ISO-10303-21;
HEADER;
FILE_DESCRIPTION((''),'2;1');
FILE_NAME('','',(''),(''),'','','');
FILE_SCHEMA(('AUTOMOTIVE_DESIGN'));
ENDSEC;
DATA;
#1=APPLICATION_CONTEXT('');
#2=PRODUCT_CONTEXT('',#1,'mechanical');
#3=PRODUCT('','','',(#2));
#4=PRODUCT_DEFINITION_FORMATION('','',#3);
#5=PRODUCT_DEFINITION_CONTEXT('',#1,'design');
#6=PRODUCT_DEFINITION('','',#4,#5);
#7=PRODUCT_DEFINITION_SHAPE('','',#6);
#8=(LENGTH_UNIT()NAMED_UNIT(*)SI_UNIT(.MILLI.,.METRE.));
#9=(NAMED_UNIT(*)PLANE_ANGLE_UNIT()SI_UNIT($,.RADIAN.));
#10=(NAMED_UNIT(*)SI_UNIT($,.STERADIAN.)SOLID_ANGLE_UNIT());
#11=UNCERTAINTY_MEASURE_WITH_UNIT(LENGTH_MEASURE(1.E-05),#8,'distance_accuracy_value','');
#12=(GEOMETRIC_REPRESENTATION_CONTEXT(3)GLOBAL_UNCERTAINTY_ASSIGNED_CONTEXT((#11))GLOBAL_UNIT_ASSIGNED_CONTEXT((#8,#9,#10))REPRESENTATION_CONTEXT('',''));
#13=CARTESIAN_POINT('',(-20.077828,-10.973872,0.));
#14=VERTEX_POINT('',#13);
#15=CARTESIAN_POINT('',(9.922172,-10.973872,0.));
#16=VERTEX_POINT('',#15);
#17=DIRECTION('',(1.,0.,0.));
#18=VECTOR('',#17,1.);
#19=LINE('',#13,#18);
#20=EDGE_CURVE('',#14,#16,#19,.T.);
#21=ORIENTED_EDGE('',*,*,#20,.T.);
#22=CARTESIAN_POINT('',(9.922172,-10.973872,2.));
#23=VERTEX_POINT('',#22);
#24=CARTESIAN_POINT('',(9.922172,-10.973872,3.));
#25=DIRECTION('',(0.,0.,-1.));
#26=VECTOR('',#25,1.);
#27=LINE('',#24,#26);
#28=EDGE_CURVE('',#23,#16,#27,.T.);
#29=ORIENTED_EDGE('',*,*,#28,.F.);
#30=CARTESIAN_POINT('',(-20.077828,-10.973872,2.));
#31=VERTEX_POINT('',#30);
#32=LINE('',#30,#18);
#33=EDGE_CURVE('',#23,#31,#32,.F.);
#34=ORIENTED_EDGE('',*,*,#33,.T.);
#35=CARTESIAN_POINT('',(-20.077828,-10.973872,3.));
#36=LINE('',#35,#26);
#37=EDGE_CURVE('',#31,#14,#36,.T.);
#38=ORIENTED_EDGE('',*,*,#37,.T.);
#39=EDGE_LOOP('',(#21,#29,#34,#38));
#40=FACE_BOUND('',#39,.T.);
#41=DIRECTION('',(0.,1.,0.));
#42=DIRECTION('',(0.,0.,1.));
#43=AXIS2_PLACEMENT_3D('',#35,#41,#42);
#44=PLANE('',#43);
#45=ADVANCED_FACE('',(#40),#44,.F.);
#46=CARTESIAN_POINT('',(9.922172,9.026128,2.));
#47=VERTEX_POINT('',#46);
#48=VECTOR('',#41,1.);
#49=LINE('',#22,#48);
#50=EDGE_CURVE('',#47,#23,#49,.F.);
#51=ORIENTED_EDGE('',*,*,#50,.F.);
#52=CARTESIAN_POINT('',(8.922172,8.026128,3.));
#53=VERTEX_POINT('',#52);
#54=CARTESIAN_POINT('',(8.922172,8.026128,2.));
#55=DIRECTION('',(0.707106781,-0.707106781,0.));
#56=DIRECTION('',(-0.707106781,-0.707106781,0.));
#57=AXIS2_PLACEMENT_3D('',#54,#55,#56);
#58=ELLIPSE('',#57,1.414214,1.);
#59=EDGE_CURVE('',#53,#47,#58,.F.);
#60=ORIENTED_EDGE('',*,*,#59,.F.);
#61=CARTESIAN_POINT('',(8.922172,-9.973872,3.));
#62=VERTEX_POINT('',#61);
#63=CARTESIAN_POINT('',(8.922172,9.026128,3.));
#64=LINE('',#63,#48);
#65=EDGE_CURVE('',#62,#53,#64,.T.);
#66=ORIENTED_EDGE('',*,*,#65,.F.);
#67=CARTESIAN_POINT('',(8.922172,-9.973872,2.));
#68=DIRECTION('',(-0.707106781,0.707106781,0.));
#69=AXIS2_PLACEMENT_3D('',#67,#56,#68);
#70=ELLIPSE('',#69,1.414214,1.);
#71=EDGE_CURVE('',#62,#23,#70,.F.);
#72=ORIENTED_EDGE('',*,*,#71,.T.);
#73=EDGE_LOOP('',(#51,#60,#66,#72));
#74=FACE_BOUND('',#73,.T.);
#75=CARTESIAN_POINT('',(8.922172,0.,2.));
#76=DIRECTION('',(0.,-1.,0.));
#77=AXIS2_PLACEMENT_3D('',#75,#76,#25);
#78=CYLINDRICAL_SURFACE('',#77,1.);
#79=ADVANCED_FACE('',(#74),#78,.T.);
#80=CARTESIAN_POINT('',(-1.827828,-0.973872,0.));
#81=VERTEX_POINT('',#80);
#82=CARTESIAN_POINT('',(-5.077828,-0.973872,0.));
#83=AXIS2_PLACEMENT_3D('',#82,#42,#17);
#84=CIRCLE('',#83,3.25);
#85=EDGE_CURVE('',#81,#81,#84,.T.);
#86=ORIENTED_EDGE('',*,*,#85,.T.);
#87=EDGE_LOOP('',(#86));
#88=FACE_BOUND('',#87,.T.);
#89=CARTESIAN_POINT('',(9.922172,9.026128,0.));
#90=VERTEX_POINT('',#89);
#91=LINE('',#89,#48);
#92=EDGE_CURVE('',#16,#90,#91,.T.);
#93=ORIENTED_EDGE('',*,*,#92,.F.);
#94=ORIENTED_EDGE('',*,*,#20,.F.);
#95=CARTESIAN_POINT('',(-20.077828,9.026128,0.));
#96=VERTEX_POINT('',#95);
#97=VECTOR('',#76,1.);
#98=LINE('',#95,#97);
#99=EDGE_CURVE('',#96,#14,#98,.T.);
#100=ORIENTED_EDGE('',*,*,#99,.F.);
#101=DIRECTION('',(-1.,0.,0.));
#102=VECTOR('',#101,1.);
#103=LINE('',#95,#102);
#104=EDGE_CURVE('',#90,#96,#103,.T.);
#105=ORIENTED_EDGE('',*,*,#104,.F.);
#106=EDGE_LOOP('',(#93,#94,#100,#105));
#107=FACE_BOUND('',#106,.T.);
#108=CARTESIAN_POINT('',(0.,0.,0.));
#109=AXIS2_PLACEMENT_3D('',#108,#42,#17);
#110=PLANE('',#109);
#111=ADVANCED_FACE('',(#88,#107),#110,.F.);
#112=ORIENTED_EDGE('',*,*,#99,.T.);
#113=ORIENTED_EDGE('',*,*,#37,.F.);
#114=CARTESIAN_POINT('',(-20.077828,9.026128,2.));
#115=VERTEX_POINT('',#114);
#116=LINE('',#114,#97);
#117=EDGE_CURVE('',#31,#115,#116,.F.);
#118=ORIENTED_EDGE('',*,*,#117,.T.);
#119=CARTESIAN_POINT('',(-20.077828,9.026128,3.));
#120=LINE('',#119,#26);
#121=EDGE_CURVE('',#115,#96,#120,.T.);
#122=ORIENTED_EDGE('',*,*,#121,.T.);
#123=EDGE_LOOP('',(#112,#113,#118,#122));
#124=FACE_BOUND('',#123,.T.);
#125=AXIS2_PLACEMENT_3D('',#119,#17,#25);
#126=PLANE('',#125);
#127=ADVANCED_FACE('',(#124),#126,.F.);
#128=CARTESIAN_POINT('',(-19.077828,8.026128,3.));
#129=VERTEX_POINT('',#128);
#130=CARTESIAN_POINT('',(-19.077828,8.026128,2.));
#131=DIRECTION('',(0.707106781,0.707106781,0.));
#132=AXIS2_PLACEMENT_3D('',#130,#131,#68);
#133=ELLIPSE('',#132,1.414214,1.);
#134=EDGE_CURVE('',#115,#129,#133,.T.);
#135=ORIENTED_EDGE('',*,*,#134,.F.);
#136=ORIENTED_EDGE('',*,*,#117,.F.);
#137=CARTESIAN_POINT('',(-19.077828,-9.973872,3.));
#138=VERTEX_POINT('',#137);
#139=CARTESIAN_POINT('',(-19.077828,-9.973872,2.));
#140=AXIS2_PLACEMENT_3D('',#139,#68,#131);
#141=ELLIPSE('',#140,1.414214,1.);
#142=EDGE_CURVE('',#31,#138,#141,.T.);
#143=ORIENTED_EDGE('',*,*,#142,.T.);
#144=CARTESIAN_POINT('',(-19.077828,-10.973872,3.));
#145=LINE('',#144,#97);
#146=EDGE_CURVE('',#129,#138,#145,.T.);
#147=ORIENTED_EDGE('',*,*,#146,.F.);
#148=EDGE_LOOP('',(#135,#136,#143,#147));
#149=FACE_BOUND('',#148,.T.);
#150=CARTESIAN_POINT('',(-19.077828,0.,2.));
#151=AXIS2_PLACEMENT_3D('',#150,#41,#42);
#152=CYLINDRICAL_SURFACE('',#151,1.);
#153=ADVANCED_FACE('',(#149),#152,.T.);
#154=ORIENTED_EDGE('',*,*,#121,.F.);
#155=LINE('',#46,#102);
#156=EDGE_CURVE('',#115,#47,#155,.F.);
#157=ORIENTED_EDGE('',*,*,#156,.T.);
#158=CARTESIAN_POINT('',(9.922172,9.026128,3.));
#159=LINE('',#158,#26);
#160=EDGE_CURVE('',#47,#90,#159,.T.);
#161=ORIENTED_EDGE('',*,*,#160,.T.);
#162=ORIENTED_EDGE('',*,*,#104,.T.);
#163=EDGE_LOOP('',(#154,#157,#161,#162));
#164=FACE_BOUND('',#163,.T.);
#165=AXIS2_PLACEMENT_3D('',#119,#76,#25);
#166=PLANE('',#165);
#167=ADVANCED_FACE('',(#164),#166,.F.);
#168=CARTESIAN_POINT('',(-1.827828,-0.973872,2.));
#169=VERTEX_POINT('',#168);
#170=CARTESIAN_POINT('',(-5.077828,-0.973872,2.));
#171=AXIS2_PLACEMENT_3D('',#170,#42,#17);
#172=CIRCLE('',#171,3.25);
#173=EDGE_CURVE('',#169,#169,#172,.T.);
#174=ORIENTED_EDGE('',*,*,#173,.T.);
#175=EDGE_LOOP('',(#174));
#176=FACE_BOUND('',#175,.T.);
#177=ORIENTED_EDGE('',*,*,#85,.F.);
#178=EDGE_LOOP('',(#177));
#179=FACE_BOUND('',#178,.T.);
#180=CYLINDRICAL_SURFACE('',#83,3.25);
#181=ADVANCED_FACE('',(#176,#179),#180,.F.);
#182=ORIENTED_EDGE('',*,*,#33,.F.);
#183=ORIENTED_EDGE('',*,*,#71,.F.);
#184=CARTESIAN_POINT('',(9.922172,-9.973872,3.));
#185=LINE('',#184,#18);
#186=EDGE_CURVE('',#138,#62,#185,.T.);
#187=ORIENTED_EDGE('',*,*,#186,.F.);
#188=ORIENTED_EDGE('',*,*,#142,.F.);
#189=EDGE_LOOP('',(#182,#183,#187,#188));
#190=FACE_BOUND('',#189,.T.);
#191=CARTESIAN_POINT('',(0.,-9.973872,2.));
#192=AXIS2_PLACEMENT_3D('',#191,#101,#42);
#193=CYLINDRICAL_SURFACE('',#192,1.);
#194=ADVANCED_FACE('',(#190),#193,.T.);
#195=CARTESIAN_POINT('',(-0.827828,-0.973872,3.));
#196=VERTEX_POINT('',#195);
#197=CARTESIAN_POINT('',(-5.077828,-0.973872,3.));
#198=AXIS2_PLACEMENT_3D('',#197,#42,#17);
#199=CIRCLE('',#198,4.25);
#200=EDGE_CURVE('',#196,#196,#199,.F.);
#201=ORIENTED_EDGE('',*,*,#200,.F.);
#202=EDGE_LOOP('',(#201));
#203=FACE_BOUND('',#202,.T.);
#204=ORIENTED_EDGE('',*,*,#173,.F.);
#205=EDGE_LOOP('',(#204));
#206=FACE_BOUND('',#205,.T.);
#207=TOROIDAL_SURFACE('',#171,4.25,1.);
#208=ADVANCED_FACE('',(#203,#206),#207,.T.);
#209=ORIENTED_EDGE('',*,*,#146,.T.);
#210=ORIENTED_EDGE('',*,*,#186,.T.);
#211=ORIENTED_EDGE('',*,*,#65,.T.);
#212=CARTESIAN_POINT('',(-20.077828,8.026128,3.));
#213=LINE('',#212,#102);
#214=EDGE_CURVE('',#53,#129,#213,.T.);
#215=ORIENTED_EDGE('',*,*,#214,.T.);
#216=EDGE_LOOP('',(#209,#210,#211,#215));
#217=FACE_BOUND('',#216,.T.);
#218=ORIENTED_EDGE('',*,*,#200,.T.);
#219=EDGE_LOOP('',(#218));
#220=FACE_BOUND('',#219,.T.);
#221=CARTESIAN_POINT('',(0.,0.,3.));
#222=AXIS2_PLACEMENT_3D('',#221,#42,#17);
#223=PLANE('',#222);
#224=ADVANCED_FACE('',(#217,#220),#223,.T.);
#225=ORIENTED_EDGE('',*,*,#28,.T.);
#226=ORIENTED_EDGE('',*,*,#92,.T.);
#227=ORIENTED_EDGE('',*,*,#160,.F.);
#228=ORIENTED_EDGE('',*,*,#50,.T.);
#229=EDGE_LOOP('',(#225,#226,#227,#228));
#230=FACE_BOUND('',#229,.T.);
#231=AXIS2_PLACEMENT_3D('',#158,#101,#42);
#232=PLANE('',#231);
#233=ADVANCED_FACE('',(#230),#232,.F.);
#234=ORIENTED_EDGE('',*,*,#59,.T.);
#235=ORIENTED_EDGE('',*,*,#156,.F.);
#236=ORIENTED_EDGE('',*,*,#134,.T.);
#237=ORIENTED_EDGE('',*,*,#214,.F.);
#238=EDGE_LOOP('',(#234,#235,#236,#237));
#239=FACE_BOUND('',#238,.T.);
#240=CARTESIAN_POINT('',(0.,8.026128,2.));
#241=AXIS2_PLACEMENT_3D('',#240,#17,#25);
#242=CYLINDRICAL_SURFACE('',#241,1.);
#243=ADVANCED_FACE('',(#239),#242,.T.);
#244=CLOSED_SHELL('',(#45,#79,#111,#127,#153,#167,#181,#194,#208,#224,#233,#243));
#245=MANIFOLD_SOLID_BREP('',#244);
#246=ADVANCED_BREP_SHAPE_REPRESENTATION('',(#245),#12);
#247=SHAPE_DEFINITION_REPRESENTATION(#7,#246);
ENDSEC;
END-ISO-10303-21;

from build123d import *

# Parameters (mm, degrees)
ESQUISSE1_W             = 30
ESQUISSE1_H             = 20
BOSS_EXTRU_1_DEPTH      = 3
ESQUISSE2_R             = 3.25
ENL_V_MAT_EXTRU_1_DEPTH = 3
CONG_1_R                = 1


with BuildPart() as part:
    # Esquisse1 → Boss.-Extru.1 (new body)
    with BuildSketch(Plane.XY):
        with Locations((-5.07782823, -0.973871734)):
            Rectangle(ESQUISSE1_W, ESQUISSE1_H)
    extrude(amount=BOSS_EXTRU_1_DEPTH)

    # Esquisse2 → Enlèv. mat.-Extru.1 (cut)
    with BuildSketch(Plane.XY.offset(3)):
        with Locations((-5.07782823, -0.973871734)):
            Circle(ESQUISSE2_R)
    extrude(amount=-ENL_V_MAT_EXTRU_1_DEPTH, mode=Mode.SUBTRACT)

    # Congé1
    cong_1_edges = [part.edges().sort_by_distance(p)[0] for p in [
        (9.92217177, -0.973871734, 3),
        (-5.07782823, 9.026128266, 3),
        (-8.32782823, -0.973871734, 3),
        (-20.07782823, -0.973871734, 3),
        (-5.07782823, -10.973871734, 3),
    ]]
    fillet(cong_1_edges, radius=CONG_1_R)


solid = part.part
